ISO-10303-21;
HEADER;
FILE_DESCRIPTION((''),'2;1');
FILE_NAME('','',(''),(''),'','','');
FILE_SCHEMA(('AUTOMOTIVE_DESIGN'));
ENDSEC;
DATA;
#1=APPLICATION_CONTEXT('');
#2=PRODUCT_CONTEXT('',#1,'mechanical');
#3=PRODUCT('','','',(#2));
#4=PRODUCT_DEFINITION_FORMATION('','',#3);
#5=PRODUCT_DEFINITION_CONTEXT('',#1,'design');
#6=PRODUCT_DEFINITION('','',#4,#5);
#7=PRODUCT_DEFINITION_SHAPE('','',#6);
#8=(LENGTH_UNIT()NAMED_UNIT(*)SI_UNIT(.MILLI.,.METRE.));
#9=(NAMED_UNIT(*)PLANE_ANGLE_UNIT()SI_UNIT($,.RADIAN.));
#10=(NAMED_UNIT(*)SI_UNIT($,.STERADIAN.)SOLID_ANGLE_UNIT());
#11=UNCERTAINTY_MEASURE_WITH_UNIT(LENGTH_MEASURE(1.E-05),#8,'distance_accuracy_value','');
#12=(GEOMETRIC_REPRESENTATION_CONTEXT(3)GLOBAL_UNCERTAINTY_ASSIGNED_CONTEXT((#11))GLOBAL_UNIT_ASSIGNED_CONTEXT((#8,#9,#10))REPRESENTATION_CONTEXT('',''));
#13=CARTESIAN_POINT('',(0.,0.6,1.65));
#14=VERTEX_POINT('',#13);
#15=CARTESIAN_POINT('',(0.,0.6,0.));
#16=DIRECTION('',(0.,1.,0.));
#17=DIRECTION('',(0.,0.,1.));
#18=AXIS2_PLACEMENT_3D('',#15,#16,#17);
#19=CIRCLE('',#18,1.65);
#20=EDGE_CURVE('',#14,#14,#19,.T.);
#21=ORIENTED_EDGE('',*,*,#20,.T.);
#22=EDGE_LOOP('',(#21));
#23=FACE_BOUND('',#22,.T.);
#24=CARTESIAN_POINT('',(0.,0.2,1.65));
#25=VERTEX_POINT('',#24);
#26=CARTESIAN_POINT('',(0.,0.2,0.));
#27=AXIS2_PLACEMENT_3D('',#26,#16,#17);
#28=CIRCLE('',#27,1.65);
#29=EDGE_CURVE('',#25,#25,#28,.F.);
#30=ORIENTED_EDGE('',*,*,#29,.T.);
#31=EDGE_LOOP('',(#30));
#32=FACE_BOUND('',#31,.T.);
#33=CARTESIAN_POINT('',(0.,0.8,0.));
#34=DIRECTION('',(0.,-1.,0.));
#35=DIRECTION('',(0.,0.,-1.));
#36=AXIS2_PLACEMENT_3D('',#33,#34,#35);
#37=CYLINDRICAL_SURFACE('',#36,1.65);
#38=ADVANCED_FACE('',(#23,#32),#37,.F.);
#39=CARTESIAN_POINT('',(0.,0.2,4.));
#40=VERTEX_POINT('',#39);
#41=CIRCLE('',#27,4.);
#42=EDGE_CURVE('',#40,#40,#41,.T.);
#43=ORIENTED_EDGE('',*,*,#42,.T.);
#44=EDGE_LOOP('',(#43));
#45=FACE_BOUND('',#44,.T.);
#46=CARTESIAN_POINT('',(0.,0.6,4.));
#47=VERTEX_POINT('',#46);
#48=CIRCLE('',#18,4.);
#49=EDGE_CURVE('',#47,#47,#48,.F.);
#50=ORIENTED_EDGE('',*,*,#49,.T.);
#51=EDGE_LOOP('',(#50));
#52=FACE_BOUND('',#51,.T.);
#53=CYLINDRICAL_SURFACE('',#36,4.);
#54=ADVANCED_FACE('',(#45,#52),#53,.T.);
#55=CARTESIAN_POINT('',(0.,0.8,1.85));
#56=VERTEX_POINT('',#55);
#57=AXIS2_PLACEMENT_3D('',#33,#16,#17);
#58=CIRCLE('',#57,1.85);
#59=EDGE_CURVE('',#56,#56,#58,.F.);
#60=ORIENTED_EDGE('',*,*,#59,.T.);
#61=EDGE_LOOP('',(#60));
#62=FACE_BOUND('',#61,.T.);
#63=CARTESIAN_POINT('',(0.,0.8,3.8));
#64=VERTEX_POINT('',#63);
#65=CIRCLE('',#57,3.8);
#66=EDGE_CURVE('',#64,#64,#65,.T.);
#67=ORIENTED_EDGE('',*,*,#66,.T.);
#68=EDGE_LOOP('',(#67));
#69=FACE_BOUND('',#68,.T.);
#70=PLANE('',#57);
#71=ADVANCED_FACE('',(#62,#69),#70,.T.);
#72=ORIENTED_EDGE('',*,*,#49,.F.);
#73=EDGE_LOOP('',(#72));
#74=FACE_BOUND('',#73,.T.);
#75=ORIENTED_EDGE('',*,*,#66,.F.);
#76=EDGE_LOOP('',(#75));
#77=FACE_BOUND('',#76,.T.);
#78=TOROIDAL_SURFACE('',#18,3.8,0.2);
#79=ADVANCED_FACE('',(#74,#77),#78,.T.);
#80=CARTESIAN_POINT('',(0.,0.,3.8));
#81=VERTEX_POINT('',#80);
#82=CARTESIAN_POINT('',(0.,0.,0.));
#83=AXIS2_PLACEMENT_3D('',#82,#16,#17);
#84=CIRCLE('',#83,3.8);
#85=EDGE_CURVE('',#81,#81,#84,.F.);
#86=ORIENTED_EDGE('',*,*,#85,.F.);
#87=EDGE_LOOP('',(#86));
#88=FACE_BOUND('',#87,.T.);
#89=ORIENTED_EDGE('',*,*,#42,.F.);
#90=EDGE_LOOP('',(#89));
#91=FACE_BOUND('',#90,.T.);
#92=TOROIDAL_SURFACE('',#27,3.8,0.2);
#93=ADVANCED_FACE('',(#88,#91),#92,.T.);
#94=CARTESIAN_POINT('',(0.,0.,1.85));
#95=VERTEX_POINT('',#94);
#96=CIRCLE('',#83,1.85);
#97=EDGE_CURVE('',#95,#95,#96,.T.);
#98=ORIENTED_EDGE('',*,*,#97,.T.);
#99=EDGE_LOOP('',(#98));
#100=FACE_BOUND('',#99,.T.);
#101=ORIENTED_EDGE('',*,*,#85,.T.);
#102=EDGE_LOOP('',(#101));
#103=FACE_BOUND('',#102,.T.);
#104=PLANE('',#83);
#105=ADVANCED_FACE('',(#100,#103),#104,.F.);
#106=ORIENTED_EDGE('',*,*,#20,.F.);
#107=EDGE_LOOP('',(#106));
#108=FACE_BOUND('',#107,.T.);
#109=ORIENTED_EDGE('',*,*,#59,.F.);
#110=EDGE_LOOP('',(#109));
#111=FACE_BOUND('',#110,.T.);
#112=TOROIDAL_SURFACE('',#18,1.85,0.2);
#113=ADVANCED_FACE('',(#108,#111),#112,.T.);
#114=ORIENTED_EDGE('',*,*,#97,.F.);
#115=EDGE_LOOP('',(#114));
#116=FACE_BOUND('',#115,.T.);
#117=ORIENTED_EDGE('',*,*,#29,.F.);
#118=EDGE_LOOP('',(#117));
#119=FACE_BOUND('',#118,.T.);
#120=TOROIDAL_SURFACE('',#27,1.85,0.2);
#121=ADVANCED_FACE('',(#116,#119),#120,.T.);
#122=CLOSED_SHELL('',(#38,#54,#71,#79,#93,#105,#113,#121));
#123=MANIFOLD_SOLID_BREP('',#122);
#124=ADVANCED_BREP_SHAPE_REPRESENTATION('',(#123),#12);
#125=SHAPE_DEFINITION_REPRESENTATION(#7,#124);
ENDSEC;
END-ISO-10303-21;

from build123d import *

# Parameters (mm, degrees)
MAIN_SKETCH_R     = 4
MAIN_SKETCH_R_2   = 1.65
WASHER_MAIN_DEPTH = 0.8
EDGE_FILLETS_R    = 0.2


with BuildPart() as part:
    # Main Sketch → Washer Main (new body)
    with BuildSketch(Plane(origin=(0, 0, 0), x_dir=(1, 0, 0), z_dir=(0, 1, 0))):
        with Locations(Location((0, 0, 0), (0, 0, 270))):
            Circle(MAIN_SKETCH_R)
        with Locations(Location((0, 0, 0), (0, 0, 270))):
            Circle(MAIN_SKETCH_R_2, mode=Mode.SUBTRACT)
    extrude(amount=WASHER_MAIN_DEPTH)

    # Edge Fillets
    edge_fillets_edges = [part.edges().sort_by_distance(p)[0] for p in [
        (0, 0, -4),
        (0, 0.8, -4),
        (0, 0, -1.65),
        (0, 0.8, -1.65),
    ]]
    fillet(edge_fillets_edges, radius=EDGE_FILLETS_R)


solid = part.part
